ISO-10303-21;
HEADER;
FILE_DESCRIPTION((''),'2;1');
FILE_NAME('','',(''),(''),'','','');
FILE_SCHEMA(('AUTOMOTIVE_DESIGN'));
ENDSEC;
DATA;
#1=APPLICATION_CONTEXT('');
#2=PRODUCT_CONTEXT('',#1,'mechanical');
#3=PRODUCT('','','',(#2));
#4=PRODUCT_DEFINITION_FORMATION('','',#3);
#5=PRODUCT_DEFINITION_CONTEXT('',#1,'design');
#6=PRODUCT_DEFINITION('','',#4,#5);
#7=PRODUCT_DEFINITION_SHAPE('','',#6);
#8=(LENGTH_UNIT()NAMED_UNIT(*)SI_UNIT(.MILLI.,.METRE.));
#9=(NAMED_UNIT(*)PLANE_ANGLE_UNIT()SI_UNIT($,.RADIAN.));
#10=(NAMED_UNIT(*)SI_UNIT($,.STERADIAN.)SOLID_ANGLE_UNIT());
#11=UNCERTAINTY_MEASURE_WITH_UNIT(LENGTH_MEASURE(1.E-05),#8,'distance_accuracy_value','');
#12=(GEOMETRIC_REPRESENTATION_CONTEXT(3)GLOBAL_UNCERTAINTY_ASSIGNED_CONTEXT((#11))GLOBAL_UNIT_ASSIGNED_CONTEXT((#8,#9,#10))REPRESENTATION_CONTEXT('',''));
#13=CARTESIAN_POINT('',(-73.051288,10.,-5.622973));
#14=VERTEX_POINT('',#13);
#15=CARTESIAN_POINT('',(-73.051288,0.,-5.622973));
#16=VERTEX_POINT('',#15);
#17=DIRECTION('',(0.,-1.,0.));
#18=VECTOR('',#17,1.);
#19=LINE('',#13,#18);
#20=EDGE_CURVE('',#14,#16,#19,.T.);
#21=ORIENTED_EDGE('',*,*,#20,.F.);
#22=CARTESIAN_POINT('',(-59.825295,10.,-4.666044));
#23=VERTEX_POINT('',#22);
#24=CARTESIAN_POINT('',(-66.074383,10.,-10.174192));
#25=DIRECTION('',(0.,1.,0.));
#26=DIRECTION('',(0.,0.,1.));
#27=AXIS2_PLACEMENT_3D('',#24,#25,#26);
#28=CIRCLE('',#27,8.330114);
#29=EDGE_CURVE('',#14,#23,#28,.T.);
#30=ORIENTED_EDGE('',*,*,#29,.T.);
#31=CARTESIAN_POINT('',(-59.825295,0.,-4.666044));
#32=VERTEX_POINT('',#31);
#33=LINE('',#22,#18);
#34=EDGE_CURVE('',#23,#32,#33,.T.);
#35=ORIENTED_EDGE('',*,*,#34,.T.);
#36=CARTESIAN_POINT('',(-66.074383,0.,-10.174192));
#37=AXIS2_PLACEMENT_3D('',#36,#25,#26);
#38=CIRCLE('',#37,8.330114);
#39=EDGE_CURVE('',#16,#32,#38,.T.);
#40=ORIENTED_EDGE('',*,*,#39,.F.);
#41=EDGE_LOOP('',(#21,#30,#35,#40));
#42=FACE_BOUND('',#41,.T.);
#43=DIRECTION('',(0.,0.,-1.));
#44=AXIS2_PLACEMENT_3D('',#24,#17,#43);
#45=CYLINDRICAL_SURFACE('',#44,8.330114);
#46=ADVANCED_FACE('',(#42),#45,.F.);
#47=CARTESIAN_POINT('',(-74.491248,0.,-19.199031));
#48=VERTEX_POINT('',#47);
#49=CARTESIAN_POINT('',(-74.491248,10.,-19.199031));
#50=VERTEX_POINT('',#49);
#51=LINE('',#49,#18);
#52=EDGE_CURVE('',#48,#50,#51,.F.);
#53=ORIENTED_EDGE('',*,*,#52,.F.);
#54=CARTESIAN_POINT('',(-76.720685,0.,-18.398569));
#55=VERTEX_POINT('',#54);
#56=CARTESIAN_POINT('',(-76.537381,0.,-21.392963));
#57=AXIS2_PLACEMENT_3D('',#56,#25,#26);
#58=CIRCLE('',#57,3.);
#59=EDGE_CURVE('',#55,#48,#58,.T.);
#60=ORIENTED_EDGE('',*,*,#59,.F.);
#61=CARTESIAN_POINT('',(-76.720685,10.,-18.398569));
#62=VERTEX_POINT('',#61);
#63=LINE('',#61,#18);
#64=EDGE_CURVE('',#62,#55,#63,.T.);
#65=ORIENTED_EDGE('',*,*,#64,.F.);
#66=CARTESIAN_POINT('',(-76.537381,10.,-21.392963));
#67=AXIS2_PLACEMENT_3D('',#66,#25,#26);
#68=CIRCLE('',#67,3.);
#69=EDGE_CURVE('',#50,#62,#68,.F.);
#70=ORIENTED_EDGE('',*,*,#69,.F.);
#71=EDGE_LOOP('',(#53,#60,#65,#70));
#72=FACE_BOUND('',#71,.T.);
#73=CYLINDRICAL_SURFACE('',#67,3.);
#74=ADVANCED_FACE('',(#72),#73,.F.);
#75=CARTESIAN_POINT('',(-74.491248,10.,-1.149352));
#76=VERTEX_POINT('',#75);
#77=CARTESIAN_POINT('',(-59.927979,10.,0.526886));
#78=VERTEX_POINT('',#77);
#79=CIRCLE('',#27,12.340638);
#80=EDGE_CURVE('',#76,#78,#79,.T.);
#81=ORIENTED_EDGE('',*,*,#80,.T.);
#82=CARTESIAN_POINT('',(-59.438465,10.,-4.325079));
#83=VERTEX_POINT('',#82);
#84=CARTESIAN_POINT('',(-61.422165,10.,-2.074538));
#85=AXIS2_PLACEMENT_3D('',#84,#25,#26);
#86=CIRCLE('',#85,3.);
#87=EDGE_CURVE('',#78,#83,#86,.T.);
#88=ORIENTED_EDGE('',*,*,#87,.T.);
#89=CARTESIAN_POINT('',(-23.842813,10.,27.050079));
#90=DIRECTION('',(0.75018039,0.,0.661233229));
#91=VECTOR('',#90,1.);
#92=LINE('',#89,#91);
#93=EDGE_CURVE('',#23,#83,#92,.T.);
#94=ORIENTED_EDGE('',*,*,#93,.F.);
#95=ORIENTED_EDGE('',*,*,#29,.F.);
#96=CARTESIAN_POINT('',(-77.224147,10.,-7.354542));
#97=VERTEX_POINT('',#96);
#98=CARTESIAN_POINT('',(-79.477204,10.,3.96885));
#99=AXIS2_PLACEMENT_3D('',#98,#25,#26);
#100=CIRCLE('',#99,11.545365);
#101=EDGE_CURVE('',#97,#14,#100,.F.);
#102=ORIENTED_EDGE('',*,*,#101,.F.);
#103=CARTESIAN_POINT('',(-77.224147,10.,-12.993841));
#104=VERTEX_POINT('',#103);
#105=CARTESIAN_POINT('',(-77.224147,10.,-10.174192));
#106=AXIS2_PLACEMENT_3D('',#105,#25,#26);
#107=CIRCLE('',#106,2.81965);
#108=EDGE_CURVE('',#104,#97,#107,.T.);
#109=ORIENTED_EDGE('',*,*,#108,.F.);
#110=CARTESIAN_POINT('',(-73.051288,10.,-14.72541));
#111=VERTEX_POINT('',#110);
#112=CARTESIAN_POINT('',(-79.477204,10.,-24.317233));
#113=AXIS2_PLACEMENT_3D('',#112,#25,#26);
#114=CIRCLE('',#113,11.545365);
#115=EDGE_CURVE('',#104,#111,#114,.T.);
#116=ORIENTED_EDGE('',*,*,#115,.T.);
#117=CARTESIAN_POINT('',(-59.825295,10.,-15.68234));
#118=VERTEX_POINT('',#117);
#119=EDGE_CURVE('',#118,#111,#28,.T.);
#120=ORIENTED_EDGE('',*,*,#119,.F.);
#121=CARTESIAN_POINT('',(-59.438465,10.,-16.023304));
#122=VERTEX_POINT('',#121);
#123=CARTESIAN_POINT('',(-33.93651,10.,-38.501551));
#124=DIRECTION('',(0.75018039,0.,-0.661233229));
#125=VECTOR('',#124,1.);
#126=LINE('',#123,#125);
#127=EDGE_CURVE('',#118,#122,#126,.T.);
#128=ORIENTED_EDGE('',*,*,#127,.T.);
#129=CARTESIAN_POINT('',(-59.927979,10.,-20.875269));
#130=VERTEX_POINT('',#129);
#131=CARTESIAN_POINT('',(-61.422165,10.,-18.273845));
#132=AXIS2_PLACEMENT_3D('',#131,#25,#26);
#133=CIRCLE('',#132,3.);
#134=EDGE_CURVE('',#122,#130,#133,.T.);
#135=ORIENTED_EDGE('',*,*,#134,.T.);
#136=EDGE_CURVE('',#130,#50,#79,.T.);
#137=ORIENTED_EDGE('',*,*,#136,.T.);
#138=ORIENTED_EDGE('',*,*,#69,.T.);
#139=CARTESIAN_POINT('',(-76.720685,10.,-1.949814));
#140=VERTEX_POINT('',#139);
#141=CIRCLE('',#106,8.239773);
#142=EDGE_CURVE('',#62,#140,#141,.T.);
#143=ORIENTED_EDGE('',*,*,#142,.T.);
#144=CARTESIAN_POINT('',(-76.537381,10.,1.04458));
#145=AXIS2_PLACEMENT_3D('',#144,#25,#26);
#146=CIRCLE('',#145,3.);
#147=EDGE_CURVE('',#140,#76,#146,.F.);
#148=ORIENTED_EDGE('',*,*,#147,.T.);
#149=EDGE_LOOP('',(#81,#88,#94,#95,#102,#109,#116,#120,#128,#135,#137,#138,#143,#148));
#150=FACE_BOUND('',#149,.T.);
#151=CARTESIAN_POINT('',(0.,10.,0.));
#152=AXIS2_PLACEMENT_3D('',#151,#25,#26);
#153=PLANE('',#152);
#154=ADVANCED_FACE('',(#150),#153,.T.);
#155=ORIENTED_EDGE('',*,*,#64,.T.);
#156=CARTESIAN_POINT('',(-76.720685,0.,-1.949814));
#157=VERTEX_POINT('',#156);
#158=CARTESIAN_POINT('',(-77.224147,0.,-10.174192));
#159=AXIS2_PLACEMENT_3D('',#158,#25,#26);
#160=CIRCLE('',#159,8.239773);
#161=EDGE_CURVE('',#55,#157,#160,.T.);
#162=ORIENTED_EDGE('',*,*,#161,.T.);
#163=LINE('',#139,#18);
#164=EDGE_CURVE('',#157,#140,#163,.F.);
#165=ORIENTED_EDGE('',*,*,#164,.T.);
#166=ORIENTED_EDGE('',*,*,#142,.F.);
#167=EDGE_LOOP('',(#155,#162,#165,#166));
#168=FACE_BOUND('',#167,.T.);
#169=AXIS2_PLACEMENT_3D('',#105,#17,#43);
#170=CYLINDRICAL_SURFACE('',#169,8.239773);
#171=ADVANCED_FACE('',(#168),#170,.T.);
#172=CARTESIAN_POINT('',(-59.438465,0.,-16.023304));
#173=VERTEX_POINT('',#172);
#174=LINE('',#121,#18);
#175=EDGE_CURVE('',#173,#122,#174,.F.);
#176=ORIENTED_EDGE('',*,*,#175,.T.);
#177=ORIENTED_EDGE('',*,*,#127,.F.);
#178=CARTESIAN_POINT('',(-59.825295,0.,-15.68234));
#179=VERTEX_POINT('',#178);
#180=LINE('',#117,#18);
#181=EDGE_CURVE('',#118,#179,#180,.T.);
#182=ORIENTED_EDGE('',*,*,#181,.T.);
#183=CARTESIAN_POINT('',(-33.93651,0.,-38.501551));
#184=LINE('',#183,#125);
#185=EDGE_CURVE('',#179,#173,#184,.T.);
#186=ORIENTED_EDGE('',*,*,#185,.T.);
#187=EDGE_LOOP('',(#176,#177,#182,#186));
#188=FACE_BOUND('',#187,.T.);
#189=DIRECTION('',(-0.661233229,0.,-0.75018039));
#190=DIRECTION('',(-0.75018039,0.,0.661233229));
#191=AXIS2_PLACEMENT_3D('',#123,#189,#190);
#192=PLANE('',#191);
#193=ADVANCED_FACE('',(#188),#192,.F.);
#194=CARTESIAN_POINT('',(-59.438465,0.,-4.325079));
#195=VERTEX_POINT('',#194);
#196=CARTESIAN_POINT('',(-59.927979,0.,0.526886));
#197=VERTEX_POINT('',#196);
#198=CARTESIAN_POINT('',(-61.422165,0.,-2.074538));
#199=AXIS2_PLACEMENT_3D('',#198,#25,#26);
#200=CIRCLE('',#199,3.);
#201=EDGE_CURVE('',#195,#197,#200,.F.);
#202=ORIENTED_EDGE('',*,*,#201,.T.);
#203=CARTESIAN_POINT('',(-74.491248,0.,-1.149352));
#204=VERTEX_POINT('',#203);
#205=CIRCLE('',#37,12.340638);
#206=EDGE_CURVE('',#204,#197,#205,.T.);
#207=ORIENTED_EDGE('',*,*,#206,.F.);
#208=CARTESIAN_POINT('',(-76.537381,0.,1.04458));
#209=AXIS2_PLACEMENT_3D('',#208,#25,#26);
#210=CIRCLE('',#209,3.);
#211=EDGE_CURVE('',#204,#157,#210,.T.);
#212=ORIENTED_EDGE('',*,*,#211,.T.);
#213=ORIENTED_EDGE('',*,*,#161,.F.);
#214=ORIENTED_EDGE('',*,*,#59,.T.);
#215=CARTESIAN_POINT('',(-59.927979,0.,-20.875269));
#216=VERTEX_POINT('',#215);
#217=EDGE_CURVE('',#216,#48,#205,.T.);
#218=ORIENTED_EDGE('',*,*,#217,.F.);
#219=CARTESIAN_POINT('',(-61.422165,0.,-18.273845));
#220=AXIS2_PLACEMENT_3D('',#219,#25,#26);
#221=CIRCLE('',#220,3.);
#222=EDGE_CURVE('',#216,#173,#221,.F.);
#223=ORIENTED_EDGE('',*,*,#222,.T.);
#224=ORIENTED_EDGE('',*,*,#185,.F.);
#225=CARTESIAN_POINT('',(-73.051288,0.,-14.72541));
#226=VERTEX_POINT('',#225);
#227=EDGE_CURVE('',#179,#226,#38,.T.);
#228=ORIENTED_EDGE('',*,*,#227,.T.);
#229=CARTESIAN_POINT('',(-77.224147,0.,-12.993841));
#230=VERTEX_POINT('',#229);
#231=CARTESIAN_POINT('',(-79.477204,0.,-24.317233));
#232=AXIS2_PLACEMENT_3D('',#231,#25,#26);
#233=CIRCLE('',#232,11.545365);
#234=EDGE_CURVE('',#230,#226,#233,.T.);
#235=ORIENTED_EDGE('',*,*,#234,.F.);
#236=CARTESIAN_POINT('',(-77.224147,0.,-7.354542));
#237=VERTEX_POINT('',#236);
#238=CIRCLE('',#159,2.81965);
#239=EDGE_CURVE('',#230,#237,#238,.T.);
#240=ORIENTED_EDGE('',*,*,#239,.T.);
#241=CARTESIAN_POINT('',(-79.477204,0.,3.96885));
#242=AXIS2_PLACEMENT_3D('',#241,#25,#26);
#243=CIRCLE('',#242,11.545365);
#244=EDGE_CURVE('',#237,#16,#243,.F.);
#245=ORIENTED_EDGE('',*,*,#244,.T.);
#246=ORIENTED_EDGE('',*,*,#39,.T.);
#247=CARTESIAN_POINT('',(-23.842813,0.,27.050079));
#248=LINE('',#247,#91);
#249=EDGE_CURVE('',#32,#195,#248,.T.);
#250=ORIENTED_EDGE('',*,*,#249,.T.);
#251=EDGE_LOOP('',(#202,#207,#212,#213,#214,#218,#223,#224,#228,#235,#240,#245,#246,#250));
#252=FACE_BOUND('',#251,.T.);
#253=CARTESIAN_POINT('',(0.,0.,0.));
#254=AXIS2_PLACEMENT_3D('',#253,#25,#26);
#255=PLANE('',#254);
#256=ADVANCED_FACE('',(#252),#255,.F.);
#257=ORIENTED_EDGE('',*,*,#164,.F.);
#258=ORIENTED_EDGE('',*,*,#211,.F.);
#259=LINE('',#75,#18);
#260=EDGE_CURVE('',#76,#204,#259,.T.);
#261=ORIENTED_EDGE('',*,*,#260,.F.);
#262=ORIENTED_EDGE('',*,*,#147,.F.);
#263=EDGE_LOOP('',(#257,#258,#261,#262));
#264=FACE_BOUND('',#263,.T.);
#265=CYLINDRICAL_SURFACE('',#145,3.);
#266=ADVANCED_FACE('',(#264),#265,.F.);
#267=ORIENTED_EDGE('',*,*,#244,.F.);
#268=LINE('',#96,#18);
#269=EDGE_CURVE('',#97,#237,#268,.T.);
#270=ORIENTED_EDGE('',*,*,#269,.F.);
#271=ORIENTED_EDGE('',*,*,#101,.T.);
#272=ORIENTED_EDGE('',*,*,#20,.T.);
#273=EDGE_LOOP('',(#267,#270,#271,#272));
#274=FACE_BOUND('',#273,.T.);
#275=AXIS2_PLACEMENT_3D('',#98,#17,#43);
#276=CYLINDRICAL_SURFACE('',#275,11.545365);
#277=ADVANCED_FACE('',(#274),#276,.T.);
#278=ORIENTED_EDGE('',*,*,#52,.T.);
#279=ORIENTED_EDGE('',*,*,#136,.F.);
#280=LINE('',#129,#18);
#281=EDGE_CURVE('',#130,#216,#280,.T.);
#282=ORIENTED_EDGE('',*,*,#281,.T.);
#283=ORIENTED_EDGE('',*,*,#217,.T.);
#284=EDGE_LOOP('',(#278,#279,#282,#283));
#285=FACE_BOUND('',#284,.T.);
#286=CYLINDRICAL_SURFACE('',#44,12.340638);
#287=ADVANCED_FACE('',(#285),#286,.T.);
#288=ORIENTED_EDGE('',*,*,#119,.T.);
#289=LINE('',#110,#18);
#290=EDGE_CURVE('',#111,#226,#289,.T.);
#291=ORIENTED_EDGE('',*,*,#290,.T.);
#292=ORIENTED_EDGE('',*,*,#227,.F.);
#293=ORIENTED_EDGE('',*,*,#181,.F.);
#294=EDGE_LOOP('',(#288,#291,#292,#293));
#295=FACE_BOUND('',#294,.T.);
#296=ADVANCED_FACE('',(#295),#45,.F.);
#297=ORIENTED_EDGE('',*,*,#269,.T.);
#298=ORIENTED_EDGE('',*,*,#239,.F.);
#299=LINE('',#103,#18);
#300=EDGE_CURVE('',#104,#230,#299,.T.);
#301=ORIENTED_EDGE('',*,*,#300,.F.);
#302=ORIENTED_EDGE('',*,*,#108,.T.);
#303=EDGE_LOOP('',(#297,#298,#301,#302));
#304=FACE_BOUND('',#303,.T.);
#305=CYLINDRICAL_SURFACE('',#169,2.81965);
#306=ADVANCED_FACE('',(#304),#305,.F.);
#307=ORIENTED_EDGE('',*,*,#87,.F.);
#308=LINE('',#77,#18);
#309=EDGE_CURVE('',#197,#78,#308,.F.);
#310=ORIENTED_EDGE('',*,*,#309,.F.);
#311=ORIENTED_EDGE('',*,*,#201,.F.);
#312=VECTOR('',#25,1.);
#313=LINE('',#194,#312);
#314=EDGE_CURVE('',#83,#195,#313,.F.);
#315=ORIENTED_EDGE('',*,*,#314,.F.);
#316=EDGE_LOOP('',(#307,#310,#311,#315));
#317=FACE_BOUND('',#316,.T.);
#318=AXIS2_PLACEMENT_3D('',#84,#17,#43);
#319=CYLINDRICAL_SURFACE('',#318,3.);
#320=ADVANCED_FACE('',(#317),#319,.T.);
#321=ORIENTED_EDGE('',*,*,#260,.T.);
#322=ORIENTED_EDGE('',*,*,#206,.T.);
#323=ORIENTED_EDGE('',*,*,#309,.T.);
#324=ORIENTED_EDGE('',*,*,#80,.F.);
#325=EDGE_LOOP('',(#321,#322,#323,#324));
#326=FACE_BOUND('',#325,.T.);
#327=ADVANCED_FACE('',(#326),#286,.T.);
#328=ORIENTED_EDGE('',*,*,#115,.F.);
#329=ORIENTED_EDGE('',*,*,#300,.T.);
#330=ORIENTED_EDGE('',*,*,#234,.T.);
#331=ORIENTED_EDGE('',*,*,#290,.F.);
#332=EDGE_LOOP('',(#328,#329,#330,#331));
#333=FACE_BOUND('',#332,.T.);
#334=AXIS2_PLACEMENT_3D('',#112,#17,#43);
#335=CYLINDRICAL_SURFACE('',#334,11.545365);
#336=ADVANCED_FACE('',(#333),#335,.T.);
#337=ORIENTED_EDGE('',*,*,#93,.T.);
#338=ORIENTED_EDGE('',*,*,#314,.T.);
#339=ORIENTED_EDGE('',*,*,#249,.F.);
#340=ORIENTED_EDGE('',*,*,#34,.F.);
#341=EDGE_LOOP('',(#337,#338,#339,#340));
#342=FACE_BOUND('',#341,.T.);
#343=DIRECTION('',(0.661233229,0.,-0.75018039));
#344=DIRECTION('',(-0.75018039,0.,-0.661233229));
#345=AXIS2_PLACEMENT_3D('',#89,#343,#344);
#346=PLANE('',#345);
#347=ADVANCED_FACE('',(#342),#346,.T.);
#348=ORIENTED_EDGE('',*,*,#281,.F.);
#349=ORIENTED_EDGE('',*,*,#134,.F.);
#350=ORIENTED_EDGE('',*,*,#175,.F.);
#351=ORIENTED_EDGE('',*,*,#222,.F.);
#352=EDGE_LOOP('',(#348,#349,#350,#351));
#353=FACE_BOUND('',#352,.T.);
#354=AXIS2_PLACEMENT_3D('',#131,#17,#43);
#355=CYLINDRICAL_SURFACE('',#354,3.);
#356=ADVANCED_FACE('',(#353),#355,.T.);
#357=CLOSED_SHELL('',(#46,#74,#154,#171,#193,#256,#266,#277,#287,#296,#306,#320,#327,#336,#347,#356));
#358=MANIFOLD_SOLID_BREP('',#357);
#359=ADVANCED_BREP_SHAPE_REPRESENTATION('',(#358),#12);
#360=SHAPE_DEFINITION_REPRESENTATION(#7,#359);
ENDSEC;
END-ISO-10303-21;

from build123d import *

# Parameters (mm, degrees)
BOSS_EXTRUDE3_DEPTH = 10
FILLET3_R           = 3


with BuildPart() as part:
    # Sketch1 → Boss-Extrude3 (new body)
    with BuildSketch(Plane(origin=(0, 0, 0), x_dir=(1, 0, 0), z_dir=(0, 1, 0))):
        with BuildLine():
            Line((-59.825295148, 15.68233951), (-56.816678559, 18.33423136))
            ThreePointArc((-56.816678559, 18.33423136), (-66.151990039, 22.514585376), (-75.433985922, 18.217149798))
            ThreePointArc((-75.433985922, 18.217149798), (-85.46391923, 10.174191538), (-75.433985922, 2.131233278))
            ThreePointArc((-75.433985922, 2.131233278), (-66.151990039, -2.1662023), (-56.816678559, 2.014151715))
            Line((-56.816678559, 2.014151715), (-59.825295148, 4.666043566))
            ThreePointArc((-59.825295148, 4.666043566), (-66.67551375, 1.865796025), (-73.051288265, 5.622973224))
            ThreePointArc((-73.051288265, 5.622973224), (-75.052192589, 6.694861395), (-77.224146609, 7.3545417))
            ThreePointArc((-77.224146609, 7.3545417), (-80.043796447, 10.174191538), (-77.224146609, 12.993841376))
            ThreePointArc((-77.224146609, 12.993841376), (-75.052192589, 13.653521681), (-73.051288265, 14.725409851))
            ThreePointArc((-73.051288265, 14.725409851), (-66.67551375, 18.48258705), (-59.825295148, 15.68233951))
        make_face()
    extrude(amount=BOSS_EXTRUDE3_DEPTH)

    # Fillet3
    fillet3_edges = [part.edges().sort_by_distance(p)[0] for p in [
        (-56.816678559, 5, -2.014151715),
        (-75.433985922, 5, -2.131233278),
        (-75.433985922, 5, -18.217149798),
        (-56.816678559, 5, -18.33423136),
    ]]
    fillet(fillet3_edges, radius=FILLET3_R)


solid = part.part
